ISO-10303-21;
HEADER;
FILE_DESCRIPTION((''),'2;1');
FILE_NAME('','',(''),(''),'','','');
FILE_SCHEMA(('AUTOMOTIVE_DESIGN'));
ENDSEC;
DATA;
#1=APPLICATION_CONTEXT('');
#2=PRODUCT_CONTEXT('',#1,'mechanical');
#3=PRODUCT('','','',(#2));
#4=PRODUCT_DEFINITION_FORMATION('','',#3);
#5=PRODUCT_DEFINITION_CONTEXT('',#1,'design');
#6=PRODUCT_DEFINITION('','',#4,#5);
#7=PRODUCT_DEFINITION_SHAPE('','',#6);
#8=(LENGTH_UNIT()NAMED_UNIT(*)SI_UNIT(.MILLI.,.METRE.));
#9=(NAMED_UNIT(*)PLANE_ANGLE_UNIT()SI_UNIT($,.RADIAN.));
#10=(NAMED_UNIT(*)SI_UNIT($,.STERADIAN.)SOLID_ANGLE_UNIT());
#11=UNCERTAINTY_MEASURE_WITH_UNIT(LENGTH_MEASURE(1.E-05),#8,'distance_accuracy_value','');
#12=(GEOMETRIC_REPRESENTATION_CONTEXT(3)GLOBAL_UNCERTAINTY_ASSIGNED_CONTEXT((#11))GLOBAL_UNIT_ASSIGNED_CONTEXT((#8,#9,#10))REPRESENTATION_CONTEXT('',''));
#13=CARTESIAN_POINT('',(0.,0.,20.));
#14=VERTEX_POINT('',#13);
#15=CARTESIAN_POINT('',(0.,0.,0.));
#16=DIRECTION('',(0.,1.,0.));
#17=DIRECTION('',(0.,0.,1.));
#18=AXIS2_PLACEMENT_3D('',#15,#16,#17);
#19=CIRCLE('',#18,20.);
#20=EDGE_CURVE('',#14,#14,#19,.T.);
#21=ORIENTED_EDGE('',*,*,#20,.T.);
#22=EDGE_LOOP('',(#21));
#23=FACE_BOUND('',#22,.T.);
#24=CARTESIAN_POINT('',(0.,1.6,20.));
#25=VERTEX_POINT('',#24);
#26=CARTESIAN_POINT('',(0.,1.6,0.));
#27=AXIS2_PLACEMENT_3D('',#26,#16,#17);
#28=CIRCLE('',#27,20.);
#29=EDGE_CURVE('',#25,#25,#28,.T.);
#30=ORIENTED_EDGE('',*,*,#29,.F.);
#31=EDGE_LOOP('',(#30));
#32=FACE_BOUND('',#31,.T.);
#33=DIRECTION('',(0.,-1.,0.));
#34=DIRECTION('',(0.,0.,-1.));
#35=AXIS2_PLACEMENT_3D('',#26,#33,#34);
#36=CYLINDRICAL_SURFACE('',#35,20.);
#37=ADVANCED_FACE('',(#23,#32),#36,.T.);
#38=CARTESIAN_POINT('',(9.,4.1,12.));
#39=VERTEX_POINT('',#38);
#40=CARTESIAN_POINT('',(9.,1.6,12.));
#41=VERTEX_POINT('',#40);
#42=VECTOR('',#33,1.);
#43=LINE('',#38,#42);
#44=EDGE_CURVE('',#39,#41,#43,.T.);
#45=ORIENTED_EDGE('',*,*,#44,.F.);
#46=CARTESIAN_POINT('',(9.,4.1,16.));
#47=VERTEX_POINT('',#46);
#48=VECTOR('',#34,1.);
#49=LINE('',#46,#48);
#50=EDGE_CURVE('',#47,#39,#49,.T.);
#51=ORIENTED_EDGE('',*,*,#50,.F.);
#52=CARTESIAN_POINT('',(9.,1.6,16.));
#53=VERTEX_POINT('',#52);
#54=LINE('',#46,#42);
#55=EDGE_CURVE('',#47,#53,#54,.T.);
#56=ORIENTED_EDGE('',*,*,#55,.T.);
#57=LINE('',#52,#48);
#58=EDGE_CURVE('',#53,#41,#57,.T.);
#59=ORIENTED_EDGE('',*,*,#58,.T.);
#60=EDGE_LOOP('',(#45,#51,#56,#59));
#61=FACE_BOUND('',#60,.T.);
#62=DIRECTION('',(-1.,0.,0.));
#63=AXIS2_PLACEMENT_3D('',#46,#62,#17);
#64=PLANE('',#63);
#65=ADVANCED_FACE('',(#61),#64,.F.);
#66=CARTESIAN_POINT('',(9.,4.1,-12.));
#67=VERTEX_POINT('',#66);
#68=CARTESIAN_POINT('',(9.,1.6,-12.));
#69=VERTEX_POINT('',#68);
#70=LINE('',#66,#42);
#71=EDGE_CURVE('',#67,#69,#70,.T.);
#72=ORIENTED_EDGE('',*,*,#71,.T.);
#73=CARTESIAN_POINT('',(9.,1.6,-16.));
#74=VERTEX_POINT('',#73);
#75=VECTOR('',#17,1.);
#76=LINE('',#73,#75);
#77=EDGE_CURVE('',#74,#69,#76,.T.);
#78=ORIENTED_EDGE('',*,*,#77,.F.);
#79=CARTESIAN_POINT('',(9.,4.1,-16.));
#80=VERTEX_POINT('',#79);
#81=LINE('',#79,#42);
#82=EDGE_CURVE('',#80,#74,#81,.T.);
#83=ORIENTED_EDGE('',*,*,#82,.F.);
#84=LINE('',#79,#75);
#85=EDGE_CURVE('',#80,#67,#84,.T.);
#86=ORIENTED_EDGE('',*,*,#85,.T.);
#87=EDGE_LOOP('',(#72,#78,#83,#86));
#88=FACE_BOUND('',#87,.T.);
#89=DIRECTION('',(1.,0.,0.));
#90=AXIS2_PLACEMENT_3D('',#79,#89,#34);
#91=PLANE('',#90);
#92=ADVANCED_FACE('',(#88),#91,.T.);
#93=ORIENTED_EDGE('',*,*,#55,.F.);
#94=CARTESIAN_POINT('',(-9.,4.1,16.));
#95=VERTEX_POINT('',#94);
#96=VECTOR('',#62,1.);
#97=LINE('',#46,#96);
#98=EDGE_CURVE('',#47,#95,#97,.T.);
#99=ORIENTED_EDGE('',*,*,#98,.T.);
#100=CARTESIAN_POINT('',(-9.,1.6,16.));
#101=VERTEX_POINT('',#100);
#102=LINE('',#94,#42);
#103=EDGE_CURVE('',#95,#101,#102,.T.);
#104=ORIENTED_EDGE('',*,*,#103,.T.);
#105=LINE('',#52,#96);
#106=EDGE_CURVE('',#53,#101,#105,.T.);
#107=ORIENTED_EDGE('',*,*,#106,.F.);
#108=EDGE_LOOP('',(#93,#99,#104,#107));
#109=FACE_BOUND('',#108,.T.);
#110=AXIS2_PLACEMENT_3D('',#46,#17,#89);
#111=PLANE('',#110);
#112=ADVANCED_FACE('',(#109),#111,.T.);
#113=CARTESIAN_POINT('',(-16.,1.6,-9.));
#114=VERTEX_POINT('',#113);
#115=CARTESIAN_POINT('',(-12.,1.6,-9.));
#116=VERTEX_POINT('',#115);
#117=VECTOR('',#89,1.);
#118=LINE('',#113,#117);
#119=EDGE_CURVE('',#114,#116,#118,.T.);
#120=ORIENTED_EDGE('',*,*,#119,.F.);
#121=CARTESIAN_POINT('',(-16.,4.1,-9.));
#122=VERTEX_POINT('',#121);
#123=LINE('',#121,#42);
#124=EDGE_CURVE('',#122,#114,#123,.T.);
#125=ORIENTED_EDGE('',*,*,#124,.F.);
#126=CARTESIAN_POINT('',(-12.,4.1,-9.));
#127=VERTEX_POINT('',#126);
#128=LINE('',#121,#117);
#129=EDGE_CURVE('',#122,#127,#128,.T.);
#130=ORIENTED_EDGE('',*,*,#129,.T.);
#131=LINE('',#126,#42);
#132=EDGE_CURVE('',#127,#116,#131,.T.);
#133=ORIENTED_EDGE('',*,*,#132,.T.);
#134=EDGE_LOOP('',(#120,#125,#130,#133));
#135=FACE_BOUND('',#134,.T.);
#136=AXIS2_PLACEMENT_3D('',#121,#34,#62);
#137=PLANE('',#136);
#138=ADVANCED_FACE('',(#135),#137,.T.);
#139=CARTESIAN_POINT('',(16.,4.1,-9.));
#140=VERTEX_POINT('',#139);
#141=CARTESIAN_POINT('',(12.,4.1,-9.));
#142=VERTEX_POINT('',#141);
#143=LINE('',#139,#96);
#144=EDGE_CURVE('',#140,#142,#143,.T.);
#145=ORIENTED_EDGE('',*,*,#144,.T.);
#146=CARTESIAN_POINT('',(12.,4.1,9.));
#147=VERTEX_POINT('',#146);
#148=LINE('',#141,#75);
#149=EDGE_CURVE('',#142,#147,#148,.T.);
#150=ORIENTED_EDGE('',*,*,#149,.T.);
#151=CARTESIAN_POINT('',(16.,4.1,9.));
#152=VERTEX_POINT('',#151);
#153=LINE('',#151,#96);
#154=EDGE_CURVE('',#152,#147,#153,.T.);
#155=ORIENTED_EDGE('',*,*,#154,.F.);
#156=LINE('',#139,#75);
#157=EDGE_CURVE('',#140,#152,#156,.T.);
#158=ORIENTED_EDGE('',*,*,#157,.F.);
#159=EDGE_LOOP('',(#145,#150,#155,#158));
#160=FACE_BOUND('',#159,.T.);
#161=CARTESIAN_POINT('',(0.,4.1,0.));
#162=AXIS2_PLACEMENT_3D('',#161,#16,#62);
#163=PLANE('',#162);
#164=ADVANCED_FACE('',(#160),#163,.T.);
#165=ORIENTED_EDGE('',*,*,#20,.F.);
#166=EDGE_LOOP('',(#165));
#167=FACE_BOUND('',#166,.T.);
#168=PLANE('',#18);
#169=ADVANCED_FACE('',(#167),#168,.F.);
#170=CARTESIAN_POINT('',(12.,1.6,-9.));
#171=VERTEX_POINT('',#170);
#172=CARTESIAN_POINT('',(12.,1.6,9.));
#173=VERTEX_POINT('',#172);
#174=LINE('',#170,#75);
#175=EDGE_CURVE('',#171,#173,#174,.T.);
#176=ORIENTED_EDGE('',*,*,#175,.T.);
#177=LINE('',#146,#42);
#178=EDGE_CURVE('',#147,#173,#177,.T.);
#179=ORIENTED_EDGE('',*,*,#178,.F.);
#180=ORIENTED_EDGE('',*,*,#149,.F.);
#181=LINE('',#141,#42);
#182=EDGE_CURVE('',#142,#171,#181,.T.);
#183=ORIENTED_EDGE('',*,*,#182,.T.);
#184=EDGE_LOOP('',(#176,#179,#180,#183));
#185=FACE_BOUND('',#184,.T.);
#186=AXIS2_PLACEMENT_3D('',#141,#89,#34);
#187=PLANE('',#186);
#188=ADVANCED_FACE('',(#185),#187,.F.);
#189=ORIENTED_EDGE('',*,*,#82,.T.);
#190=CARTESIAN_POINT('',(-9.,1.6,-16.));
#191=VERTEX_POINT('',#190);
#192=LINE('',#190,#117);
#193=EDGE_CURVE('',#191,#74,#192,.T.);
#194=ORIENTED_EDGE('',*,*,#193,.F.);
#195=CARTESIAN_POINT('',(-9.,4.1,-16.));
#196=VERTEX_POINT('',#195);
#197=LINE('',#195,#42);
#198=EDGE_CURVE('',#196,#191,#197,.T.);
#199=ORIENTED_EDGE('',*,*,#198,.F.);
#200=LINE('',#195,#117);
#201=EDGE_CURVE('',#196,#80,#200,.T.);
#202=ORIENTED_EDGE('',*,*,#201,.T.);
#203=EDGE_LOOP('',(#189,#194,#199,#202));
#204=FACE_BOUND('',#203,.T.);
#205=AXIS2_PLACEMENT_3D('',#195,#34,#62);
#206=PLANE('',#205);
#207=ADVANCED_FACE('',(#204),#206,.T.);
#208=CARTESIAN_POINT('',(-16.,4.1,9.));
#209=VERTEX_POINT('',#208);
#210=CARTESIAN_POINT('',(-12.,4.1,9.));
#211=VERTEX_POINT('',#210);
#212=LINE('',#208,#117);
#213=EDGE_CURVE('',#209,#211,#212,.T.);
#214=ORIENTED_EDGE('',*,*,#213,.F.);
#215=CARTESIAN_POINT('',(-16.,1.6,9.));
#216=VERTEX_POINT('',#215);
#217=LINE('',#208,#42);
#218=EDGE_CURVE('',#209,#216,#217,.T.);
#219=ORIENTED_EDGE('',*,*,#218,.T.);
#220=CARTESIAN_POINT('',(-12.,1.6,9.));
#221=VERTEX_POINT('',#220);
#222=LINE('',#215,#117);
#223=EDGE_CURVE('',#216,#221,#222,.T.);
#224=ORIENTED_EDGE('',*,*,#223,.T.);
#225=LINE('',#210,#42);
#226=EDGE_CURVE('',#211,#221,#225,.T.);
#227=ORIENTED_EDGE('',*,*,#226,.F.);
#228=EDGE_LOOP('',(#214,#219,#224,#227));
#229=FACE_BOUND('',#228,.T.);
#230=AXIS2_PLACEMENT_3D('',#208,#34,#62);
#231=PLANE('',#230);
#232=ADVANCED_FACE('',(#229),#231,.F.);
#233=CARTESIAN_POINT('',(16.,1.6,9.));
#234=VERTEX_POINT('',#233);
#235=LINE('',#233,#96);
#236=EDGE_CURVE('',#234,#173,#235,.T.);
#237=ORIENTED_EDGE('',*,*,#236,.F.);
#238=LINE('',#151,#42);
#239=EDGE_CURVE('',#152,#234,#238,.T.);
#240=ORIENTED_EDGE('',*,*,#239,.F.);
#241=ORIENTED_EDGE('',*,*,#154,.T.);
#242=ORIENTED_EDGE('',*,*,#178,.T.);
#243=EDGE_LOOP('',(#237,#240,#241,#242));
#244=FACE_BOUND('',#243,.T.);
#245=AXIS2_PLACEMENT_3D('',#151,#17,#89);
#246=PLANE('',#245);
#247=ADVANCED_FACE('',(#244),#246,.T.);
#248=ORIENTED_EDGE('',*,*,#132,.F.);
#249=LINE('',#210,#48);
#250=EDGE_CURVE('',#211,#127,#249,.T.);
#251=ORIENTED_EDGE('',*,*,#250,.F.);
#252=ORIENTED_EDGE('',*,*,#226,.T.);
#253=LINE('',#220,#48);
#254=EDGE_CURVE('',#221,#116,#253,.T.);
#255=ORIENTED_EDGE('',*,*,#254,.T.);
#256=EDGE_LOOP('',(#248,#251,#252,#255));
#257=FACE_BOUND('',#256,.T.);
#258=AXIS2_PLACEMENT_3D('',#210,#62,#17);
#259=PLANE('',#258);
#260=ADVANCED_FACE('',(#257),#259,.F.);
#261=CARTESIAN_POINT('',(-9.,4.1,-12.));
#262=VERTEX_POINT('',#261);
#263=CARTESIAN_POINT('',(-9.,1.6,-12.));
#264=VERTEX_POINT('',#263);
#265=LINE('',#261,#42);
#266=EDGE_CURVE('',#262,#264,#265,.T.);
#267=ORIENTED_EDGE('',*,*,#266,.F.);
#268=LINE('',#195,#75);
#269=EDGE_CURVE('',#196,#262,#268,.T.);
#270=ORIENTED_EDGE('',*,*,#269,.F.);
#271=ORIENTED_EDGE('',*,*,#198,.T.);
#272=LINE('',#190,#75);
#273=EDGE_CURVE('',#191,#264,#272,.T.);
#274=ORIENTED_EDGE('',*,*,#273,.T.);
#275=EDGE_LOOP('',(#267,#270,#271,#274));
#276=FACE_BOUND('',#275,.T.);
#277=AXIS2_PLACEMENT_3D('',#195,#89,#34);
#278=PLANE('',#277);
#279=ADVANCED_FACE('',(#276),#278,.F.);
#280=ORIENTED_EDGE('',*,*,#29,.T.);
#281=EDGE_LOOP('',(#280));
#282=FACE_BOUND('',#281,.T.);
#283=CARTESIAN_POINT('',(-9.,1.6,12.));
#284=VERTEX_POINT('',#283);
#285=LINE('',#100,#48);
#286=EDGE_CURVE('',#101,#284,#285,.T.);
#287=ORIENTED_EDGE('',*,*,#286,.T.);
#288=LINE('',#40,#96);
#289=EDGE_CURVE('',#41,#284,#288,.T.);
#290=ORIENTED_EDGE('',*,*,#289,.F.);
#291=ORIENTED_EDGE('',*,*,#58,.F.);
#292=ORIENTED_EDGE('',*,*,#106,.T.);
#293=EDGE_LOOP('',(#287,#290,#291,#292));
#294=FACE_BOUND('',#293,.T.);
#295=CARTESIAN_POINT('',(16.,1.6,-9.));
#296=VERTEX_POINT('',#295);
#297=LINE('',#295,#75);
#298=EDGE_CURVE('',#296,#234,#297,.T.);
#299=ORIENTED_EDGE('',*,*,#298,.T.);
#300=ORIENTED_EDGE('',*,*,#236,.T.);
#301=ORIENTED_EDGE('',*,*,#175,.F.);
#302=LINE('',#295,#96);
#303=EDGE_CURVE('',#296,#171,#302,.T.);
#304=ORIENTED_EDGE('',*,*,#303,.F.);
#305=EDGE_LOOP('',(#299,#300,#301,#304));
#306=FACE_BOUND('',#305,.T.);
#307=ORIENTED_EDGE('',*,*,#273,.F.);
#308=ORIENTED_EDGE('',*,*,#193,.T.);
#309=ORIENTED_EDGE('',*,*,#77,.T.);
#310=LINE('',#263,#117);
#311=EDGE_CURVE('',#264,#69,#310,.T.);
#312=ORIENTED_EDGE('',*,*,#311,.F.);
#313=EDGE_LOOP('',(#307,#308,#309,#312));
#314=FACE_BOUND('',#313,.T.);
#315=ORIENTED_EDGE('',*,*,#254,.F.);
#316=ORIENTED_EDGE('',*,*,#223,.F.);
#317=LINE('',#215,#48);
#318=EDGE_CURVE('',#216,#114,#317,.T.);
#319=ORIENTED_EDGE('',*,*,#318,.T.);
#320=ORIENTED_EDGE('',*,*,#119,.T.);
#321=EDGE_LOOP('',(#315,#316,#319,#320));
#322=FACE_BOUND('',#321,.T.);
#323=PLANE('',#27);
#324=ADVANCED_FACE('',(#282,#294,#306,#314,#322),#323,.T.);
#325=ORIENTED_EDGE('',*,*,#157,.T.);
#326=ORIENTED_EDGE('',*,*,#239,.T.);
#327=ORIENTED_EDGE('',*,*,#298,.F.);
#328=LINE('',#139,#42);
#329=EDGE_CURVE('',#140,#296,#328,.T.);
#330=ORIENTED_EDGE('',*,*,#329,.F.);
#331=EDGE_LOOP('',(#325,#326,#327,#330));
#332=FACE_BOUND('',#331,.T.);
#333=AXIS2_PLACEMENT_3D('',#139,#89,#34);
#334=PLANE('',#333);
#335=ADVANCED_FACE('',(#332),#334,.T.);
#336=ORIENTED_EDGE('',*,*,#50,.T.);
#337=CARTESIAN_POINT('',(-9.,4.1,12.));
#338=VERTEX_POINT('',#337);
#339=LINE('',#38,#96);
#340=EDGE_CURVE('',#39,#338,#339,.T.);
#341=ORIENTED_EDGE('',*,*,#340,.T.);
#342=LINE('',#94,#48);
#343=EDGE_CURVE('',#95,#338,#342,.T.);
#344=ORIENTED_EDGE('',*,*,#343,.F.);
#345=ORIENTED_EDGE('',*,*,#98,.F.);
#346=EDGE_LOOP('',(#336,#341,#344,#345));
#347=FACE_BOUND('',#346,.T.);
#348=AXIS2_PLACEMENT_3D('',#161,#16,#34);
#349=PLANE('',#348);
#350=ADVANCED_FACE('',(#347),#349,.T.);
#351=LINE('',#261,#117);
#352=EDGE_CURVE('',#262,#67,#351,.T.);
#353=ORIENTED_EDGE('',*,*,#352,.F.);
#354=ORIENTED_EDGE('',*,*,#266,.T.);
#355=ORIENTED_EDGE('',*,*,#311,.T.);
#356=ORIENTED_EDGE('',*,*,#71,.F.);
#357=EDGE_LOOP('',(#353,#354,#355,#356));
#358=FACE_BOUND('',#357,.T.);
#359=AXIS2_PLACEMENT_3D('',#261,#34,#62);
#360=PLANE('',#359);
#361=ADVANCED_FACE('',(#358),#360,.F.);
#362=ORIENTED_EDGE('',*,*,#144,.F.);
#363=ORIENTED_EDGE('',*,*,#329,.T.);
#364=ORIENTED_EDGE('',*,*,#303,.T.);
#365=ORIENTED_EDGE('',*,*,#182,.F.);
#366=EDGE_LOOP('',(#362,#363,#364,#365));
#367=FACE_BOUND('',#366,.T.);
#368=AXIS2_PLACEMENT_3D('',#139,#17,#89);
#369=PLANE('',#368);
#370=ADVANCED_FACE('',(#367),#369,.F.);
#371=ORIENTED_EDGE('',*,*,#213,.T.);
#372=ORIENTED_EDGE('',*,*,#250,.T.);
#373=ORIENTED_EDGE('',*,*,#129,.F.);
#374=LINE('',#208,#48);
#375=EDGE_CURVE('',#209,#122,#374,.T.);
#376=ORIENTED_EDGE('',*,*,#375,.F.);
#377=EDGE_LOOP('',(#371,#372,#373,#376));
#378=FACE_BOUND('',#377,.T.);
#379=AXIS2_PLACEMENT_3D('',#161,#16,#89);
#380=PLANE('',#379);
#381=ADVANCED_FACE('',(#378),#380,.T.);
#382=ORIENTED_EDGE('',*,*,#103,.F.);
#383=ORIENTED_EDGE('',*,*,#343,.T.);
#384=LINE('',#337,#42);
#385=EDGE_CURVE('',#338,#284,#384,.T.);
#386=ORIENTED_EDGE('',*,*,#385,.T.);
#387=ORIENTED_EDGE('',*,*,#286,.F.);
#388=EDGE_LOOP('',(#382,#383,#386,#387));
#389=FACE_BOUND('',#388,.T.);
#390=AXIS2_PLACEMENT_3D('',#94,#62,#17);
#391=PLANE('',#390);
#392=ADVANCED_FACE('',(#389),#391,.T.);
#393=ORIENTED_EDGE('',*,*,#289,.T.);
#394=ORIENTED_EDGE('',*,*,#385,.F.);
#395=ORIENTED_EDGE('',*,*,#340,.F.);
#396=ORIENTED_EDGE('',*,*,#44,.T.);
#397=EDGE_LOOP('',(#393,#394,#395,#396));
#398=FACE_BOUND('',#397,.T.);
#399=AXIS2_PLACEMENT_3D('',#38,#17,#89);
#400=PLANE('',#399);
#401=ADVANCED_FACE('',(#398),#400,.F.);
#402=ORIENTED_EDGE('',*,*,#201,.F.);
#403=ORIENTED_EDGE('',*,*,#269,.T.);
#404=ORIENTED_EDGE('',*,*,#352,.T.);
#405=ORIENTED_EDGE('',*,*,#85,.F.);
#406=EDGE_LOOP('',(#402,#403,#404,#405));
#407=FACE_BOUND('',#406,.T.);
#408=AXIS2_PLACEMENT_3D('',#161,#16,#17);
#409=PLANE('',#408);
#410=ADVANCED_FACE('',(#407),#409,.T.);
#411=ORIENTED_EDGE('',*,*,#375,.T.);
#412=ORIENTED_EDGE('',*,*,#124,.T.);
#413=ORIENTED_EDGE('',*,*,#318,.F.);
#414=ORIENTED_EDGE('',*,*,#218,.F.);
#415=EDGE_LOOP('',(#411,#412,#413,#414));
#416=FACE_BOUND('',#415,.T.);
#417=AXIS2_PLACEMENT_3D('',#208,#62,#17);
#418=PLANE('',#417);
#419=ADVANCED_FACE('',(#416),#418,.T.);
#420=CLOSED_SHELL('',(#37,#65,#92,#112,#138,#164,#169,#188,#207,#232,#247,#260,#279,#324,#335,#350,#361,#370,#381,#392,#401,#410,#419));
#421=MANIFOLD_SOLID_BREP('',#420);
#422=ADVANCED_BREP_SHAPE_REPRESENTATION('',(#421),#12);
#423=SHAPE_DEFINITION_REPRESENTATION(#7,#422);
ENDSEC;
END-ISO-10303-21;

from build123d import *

# Parameters (mm, degrees)
SKETCH1_R                    = 20
PCB_DEPTH                    = 1.6
SKETCH2_W                    = 18
SKETCH2_H                    = 4
HIROSE_CONNECTOR_STACK_DEPTH = 2.5
CIRPATTERN1_COUNT            = 4


with BuildPart() as part:
    # Sketch1 → PCB (new body)
    with BuildSketch(Plane(origin=(0, 0, 0), x_dir=(1, 0, 0), z_dir=(0, 1, 0))):
        with Locations(Location((0, 0, 0), (0, 0, 270))):
            Circle(SKETCH1_R)
    extrude(amount=PCB_DEPTH)

    # Sketch2 → Hirose Connector Stack (add)
    with BuildSketch(Plane(origin=(0, 1.6, 0), x_dir=(1, 0, 0), z_dir=(0, 1, 0))):
        with Locations((0, 14)):
            Rectangle(SKETCH2_W, SKETCH2_H)
    hirose_connector_stack = extrude(amount=HIROSE_CONNECTOR_STACK_DEPTH)

    # CirPattern1: Hirose Connector Stack ×4 about axis
    cirpattern1_axis = Axis((0, 0, 0), (0, 1, 0))
    for i in range(1, CIRPATTERN1_COUNT):
        add(hirose_connector_stack.rotate(cirpattern1_axis, i * 360 / CIRPATTERN1_COUNT))


solid = part.part
